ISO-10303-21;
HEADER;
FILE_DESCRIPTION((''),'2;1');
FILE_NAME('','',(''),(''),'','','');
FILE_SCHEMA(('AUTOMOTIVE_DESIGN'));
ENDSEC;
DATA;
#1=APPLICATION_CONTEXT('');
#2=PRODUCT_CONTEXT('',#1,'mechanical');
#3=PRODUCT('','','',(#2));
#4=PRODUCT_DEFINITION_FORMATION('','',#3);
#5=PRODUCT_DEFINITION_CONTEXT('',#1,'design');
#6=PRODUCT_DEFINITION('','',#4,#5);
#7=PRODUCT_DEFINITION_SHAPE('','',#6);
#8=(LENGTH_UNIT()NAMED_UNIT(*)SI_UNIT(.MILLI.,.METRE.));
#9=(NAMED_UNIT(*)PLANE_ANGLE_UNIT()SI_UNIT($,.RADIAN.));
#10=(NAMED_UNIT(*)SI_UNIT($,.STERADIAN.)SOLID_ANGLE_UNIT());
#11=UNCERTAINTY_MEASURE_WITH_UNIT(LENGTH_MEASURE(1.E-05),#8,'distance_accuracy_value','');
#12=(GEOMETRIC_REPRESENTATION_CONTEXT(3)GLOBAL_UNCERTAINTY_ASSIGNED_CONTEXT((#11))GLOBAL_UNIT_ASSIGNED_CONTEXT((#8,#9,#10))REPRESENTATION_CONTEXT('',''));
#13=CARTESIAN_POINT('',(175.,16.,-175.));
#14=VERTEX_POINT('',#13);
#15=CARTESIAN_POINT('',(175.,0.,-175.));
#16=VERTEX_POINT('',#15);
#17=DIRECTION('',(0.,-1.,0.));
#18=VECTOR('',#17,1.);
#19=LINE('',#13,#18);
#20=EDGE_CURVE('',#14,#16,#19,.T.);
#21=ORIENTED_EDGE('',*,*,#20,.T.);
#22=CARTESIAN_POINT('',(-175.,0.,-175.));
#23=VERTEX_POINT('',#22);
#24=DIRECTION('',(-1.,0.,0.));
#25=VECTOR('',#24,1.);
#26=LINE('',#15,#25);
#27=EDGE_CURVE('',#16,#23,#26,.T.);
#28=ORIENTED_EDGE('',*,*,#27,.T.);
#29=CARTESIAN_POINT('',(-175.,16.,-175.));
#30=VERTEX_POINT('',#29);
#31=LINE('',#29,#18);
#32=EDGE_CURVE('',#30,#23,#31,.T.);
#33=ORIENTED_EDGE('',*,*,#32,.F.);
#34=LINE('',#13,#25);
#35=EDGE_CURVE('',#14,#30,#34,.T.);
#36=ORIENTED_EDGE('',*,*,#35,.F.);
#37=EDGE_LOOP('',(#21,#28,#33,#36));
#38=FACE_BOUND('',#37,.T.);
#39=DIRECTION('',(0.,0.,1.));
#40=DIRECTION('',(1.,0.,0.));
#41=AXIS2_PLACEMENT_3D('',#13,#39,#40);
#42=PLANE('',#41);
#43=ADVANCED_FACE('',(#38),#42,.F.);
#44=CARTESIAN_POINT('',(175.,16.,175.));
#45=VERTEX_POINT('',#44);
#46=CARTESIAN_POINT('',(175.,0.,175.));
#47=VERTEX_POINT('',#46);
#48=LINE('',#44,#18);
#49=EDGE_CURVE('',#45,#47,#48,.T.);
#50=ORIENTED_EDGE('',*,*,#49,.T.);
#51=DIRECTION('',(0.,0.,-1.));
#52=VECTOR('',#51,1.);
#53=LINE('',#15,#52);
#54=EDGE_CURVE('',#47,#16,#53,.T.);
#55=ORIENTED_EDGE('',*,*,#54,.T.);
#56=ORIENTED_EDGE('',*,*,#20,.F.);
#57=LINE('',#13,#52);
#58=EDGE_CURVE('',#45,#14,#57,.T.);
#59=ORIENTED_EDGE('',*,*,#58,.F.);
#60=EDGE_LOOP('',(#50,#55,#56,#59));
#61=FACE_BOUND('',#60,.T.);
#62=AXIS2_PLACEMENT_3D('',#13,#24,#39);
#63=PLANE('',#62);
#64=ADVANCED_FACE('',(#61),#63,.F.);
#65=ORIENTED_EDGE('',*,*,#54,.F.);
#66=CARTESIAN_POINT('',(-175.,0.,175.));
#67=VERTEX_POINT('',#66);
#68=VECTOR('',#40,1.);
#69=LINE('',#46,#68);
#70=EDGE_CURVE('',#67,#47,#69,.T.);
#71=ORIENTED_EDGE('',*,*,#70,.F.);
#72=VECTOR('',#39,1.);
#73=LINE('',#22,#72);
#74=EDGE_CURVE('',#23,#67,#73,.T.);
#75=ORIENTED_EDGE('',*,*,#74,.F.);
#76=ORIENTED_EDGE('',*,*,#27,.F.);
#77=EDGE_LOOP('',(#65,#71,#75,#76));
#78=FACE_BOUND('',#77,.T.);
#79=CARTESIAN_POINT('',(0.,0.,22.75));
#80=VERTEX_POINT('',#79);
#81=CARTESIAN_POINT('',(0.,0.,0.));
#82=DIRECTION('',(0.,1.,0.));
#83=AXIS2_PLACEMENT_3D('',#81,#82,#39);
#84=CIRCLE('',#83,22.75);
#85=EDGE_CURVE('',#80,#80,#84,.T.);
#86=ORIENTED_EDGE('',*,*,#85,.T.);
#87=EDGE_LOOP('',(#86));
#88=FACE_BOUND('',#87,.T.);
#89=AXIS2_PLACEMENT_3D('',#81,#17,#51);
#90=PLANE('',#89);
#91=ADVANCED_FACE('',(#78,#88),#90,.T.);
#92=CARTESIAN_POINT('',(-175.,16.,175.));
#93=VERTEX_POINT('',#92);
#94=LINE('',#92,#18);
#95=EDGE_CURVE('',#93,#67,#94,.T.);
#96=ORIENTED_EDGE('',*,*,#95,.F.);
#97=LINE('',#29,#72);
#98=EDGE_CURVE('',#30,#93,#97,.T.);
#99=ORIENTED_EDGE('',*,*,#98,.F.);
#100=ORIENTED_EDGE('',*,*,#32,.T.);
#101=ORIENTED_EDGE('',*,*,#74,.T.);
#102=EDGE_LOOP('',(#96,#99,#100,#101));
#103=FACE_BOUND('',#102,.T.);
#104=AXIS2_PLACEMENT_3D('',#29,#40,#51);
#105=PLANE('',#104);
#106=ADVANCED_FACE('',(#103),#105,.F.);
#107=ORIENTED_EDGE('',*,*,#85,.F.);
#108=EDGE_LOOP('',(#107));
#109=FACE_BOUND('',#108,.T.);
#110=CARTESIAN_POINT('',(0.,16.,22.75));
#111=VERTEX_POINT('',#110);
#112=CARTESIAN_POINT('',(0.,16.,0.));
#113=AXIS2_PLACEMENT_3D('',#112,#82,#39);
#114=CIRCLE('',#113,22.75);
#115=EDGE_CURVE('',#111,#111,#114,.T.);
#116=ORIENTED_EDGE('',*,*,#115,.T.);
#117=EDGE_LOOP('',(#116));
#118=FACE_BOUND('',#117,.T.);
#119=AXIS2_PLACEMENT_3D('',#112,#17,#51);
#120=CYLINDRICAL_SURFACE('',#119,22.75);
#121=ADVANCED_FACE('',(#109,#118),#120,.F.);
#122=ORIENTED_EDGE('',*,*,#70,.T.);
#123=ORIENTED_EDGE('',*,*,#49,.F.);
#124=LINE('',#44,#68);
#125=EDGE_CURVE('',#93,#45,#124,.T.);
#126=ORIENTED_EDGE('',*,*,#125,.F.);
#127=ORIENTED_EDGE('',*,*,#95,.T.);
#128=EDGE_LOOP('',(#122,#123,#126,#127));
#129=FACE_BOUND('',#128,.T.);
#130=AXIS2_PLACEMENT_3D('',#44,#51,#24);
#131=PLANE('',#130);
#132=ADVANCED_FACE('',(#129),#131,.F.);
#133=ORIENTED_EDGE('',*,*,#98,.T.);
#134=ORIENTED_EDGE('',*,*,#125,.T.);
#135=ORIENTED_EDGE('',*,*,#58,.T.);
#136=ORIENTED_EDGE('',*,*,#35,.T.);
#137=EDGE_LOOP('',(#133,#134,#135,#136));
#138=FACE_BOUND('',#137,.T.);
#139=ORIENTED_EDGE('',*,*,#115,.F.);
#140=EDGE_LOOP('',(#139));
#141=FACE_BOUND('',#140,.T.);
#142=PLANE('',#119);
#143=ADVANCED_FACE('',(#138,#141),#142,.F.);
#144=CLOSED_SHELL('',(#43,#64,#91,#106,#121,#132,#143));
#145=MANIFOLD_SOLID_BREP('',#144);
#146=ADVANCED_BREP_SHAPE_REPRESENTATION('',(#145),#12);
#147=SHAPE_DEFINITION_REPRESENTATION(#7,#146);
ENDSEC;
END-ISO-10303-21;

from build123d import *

# Parameters (mm, degrees)
CROQUIS1_W              = 350
CROQUIS1_H              = 350
CROQUIS1_R              = 22.75
SALIENTE_EXTRUIR1_DEPTH = 16


with BuildPart() as part:
    # Croquis1 → Saliente-Extruir1 (new body)
    with BuildSketch(Plane(origin=(0, 0, 0), x_dir=(1, 0, 0), z_dir=(0, 1, 0))):
        Rectangle(CROQUIS1_W, CROQUIS1_H)
        Circle(CROQUIS1_R, mode=Mode.SUBTRACT)
    extrude(amount=SALIENTE_EXTRUIR1_DEPTH)


solid = part.part
